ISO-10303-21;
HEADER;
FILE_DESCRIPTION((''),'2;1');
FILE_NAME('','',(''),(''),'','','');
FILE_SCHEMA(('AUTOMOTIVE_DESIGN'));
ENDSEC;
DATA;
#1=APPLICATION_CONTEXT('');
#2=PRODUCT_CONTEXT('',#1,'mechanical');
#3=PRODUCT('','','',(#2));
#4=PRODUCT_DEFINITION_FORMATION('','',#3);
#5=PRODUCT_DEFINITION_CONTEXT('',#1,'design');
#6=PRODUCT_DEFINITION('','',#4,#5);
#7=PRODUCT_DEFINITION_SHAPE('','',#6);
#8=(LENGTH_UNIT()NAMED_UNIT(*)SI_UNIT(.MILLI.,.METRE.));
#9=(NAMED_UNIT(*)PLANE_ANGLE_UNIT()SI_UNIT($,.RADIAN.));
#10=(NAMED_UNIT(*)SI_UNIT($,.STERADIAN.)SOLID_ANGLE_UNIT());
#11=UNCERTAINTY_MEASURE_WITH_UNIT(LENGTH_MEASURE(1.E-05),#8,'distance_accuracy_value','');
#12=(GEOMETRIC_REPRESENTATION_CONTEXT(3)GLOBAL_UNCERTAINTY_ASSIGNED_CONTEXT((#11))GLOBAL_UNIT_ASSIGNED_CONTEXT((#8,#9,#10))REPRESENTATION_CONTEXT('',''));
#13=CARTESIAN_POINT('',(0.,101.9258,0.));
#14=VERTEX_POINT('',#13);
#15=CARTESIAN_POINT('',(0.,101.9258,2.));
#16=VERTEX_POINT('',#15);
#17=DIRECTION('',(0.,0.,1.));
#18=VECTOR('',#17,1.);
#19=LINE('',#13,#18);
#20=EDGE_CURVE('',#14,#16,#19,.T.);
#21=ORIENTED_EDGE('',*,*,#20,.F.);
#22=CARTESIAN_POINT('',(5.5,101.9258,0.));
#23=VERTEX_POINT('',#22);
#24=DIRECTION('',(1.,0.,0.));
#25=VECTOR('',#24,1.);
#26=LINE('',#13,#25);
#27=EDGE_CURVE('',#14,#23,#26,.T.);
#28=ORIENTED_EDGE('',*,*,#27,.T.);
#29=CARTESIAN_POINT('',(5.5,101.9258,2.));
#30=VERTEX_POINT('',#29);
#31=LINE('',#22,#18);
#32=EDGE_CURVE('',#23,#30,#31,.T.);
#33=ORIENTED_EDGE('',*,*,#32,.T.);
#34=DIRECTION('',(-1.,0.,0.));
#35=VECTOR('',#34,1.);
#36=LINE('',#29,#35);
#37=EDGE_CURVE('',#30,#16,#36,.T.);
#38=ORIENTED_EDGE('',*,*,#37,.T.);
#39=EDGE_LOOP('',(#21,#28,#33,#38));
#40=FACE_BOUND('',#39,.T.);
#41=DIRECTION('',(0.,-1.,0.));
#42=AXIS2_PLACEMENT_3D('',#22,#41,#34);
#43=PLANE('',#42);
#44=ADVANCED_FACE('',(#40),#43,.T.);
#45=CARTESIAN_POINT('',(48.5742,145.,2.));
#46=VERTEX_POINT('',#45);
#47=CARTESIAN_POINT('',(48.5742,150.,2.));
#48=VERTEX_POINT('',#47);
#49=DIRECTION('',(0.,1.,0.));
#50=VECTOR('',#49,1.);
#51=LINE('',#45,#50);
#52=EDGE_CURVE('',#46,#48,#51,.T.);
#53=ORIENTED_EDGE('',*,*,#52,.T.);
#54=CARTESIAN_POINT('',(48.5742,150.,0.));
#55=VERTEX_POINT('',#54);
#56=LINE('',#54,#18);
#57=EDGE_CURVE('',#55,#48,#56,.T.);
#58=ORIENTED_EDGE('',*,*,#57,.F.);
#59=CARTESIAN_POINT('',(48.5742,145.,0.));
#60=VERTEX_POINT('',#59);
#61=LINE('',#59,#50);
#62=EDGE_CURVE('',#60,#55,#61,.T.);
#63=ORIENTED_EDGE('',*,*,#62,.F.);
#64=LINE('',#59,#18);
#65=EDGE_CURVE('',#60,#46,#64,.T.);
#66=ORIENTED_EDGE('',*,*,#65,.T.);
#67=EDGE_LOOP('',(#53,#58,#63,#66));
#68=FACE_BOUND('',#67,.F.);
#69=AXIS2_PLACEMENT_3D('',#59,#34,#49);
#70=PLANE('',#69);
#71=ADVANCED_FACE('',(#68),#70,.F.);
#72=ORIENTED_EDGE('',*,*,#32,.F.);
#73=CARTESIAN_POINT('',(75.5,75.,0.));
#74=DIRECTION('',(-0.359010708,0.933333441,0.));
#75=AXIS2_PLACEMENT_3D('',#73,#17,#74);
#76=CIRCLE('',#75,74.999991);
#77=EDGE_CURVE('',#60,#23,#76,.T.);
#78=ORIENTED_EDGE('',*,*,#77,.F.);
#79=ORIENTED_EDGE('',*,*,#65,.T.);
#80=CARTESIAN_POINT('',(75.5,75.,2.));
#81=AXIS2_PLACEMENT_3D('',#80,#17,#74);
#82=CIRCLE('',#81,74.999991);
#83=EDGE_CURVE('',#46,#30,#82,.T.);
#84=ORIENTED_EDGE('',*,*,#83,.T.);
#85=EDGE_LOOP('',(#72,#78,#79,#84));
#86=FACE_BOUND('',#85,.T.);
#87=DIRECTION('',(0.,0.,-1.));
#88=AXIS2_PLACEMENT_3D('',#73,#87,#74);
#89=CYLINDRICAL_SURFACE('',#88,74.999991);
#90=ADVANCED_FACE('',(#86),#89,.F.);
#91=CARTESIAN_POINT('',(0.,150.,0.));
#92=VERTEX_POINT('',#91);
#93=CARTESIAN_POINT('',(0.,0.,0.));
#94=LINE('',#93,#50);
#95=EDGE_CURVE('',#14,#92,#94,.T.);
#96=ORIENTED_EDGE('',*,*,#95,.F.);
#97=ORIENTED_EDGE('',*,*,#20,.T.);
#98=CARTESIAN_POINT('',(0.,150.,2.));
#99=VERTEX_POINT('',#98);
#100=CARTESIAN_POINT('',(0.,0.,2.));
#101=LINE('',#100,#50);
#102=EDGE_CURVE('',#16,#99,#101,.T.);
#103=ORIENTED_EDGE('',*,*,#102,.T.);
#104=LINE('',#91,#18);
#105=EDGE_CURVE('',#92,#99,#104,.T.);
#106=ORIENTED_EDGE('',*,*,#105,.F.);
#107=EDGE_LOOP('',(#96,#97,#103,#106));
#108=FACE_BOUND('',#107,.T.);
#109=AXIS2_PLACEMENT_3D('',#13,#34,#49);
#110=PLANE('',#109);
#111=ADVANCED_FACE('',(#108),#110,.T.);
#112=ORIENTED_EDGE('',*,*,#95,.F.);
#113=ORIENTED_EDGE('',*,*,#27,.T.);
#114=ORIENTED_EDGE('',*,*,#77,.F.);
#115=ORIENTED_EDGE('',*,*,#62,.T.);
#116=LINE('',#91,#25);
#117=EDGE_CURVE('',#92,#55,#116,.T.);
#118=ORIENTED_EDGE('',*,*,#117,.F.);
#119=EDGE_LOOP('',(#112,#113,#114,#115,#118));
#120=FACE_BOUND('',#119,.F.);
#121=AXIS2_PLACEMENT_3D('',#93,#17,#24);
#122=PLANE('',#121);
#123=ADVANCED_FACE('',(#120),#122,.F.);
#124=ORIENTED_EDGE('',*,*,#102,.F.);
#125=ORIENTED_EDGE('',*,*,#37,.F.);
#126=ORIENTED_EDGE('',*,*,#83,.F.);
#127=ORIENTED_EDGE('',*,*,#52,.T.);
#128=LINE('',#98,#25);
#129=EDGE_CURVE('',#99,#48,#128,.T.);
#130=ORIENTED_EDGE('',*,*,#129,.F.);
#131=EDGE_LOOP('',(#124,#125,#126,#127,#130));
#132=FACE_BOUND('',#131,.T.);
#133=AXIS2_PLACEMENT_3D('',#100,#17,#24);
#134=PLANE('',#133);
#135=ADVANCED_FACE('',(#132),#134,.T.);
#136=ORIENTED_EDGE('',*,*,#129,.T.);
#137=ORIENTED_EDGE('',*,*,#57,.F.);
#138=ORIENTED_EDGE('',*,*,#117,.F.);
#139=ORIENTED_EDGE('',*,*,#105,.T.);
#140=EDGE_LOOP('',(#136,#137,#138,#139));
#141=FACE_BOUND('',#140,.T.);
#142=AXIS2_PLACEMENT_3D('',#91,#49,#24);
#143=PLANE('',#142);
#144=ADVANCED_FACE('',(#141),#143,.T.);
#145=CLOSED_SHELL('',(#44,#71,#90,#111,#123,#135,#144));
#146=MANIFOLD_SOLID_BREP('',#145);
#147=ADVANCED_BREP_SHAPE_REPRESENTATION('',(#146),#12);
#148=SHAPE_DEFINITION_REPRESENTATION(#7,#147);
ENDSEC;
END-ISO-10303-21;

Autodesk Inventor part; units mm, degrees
ref_plane "YZ Plane" through (0, 0, 0) normal (1, 0, 0) x (0, 1, 0)
ref_plane "XZ Plane" through (0, 0, 0) normal (0, 1, 0) x (-1, 0, 0)
ref_plane "XY Plane" through (0, 0, 0) normal (0, 0, 1) x (1, 0, 0)
ref_plane "Pracovní rovina1" through (0, 0, 0) normal (0, 0, 1) x (1, 0, 0)
sketch "Náčrt1" plane through (0, 0, 0) normal (0, 0, 1) x (1, 0, 0)
  line L0 (16.5, 77.5) -> (20.5568, 77.5) projected
  arc A0 (71, 129.8156) -> (20.5568, 77.5) centre (75.5, 75) ccw projected
  line L1 (71, 129.8156) -> (71, 145) projected
  line L2 (71, 145) -> (48.5742, 145) projected
  arc A1 (48.5742, 145) -> (5.5, 101.9258) centre (75.5, 75) ccw projected
  line L3 (5.5, 101.9258) -> (5.5, 48.0742) projected
  arc A2 (5.5, 48.0742) -> (48.5742, 5) centre (75.5, 75) ccw projected
  line L4 (48.5742, 5) -> (102.4258, 5) projected
  arc A3 (102.4258, 5) -> (145.5, 48.0742) centre (75.5, 75) ccw projected
  line L5 (145.5, 48.0742) -> (145.5, 101.9258) projected
  arc A4 (145.5, 101.9258) -> (102.4258, 145) centre (75.5, 75) ccw projected
  line L6 (102.4258, 145) -> (80, 145) projected
  line L7 (80, 145) -> (80, 129.8156) projected
  arc A5 (130.4181, 78) -> (80, 129.8156) centre (75.5, 75) ccw projected
  line L8 (130.4181, 78) -> (134.5, 78) projected
  line L9 (134.5, 78) -> (134.5, 72) projected
  line L10 (134.5, 72) -> (130.4181, 72) projected
  arc A6 (20.5568, 72.5) -> (130.4181, 72) centre (75.5, 75) ccw projected
  line L11 (20.5568, 72.5) -> (16.5, 72.5) projected
  line L12 (16.5, 72.5) -> (16.5, 77.5) projected
  line L13 (0, 150) -> (150, 150) projected
  line L14 (0, 0) -> (0, 150) projected
  line L15 (145, 5) -> (5, 5) projected
  line L16 (5, 5) -> (5, 72.5) projected
  line L17 (5, 72.5) -> (9, 72.5) projected
  line L18 (9, 77.5) -> (9, 72.5) projected
  line L19 (5, 77.5) -> (9, 77.5) projected
  line L20 (5, 77.5) -> (5, 145) projected
  line L21 (5, 145) -> (145, 145) projected
  line L22 (145, 145) -> (145, 77.5) projected
  line L23 (145, 77.5) -> (141, 77.5) projected
  line L24 (141, 72.5) -> (141, 77.5) projected
  line L25 (145, 72.5) -> (141, 72.5) projected
  line L26 (145, 72.5) -> (145, 5) projected
  line L27 (0, 0) -> (150, 0) projected
  line L28 (150, 0) -> (150, 150) projected
  line L29 (0, 150) -> (150, 150) projected
  line L30 (0, 0) -> (0, 150) projected
  line L31 (48.5742, 145) -> (5, 145)
  line L32 (48.5742, 145) -> (48.5742, 150)
  line L33 (48.5742, 150) -> (0, 150)
  line L34 (0, 150) -> (0, 101.9258)
  line L35 (5.5, 101.9258) -> (0, 101.9258)
  arc A7 (48.5742, 145) -> (5.5, 101.9258) centre (75.5, 75) ccw
extrude "Vysunutí1" add sketch "Náčrt1" along normal blind 2 contours A1 L35 L20 L21 | L21 L20 L35 L14 L13 L32
properties part number "Roh"
